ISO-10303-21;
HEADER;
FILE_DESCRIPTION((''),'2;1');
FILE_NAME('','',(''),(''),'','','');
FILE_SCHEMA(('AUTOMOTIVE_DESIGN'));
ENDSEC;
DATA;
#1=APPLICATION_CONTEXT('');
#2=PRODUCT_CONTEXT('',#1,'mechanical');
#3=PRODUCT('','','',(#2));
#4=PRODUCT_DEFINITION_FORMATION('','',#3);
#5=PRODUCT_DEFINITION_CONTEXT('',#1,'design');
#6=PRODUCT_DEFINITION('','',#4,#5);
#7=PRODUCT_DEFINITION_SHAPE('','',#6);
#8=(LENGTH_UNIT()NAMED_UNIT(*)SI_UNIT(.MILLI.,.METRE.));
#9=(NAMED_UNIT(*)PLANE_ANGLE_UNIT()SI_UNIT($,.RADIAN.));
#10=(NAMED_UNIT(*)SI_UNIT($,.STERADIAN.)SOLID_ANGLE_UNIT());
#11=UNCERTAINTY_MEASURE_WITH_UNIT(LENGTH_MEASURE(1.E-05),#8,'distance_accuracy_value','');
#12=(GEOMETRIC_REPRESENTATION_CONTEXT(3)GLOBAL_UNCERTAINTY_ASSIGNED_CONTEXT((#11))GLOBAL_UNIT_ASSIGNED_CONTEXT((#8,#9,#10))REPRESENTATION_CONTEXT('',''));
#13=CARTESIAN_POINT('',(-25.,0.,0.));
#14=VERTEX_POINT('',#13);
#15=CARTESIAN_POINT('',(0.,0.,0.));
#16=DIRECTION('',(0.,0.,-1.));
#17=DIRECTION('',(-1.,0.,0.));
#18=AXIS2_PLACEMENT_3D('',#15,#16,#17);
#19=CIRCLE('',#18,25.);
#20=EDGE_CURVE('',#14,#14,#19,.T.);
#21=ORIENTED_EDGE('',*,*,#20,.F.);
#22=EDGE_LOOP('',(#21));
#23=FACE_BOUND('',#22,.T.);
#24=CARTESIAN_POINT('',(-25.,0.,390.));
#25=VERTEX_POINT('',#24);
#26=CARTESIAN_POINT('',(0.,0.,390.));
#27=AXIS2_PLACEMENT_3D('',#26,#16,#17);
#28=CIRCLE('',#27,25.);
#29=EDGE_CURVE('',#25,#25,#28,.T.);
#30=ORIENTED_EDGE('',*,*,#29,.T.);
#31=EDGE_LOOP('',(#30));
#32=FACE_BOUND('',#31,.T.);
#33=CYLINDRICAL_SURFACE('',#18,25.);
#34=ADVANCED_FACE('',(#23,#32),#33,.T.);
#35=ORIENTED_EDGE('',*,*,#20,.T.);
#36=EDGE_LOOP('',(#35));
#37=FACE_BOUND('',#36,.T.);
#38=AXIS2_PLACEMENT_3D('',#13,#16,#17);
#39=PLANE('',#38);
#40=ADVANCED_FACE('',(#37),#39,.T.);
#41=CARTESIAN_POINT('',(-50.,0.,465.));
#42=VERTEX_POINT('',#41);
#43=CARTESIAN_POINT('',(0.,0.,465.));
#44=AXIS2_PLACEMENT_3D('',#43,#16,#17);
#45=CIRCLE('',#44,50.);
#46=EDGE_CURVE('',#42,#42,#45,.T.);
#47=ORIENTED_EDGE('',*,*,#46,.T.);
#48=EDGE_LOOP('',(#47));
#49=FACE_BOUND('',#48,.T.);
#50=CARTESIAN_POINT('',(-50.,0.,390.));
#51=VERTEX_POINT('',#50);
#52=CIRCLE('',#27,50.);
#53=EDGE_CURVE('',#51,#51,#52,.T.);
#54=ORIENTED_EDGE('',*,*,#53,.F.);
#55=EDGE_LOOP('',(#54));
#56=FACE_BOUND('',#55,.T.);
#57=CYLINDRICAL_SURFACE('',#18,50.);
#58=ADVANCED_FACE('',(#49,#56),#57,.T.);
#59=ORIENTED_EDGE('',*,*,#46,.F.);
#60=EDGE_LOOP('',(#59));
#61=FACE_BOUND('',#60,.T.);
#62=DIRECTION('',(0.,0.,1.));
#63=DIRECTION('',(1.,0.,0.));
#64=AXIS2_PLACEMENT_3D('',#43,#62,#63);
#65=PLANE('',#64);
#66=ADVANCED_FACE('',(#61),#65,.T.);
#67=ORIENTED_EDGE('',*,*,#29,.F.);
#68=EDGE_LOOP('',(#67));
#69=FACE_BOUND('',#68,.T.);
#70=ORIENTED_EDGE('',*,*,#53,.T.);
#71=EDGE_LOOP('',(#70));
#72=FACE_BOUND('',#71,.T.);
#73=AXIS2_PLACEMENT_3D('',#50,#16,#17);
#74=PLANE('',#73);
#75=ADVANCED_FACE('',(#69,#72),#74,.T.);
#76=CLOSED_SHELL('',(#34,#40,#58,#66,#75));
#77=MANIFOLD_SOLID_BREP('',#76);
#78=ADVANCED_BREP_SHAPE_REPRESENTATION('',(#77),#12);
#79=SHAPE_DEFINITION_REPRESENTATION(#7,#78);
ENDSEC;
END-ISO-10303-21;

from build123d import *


with BuildPart() as part:
    # Sketch1 → Revolve1 (revolve)
    with BuildSketch(Plane(origin=(0, 0, 0), x_dir=(1, 0, 0), z_dir=(0, 1, 0))):
        Polygon((0, 0), (0, -465), (-50, -465), (-50, -390), (-25, -390), (-25, 0), align=None)
    revolve(axis=Axis((0, 0, 0), (0, 0, 1)))


solid = part.part
